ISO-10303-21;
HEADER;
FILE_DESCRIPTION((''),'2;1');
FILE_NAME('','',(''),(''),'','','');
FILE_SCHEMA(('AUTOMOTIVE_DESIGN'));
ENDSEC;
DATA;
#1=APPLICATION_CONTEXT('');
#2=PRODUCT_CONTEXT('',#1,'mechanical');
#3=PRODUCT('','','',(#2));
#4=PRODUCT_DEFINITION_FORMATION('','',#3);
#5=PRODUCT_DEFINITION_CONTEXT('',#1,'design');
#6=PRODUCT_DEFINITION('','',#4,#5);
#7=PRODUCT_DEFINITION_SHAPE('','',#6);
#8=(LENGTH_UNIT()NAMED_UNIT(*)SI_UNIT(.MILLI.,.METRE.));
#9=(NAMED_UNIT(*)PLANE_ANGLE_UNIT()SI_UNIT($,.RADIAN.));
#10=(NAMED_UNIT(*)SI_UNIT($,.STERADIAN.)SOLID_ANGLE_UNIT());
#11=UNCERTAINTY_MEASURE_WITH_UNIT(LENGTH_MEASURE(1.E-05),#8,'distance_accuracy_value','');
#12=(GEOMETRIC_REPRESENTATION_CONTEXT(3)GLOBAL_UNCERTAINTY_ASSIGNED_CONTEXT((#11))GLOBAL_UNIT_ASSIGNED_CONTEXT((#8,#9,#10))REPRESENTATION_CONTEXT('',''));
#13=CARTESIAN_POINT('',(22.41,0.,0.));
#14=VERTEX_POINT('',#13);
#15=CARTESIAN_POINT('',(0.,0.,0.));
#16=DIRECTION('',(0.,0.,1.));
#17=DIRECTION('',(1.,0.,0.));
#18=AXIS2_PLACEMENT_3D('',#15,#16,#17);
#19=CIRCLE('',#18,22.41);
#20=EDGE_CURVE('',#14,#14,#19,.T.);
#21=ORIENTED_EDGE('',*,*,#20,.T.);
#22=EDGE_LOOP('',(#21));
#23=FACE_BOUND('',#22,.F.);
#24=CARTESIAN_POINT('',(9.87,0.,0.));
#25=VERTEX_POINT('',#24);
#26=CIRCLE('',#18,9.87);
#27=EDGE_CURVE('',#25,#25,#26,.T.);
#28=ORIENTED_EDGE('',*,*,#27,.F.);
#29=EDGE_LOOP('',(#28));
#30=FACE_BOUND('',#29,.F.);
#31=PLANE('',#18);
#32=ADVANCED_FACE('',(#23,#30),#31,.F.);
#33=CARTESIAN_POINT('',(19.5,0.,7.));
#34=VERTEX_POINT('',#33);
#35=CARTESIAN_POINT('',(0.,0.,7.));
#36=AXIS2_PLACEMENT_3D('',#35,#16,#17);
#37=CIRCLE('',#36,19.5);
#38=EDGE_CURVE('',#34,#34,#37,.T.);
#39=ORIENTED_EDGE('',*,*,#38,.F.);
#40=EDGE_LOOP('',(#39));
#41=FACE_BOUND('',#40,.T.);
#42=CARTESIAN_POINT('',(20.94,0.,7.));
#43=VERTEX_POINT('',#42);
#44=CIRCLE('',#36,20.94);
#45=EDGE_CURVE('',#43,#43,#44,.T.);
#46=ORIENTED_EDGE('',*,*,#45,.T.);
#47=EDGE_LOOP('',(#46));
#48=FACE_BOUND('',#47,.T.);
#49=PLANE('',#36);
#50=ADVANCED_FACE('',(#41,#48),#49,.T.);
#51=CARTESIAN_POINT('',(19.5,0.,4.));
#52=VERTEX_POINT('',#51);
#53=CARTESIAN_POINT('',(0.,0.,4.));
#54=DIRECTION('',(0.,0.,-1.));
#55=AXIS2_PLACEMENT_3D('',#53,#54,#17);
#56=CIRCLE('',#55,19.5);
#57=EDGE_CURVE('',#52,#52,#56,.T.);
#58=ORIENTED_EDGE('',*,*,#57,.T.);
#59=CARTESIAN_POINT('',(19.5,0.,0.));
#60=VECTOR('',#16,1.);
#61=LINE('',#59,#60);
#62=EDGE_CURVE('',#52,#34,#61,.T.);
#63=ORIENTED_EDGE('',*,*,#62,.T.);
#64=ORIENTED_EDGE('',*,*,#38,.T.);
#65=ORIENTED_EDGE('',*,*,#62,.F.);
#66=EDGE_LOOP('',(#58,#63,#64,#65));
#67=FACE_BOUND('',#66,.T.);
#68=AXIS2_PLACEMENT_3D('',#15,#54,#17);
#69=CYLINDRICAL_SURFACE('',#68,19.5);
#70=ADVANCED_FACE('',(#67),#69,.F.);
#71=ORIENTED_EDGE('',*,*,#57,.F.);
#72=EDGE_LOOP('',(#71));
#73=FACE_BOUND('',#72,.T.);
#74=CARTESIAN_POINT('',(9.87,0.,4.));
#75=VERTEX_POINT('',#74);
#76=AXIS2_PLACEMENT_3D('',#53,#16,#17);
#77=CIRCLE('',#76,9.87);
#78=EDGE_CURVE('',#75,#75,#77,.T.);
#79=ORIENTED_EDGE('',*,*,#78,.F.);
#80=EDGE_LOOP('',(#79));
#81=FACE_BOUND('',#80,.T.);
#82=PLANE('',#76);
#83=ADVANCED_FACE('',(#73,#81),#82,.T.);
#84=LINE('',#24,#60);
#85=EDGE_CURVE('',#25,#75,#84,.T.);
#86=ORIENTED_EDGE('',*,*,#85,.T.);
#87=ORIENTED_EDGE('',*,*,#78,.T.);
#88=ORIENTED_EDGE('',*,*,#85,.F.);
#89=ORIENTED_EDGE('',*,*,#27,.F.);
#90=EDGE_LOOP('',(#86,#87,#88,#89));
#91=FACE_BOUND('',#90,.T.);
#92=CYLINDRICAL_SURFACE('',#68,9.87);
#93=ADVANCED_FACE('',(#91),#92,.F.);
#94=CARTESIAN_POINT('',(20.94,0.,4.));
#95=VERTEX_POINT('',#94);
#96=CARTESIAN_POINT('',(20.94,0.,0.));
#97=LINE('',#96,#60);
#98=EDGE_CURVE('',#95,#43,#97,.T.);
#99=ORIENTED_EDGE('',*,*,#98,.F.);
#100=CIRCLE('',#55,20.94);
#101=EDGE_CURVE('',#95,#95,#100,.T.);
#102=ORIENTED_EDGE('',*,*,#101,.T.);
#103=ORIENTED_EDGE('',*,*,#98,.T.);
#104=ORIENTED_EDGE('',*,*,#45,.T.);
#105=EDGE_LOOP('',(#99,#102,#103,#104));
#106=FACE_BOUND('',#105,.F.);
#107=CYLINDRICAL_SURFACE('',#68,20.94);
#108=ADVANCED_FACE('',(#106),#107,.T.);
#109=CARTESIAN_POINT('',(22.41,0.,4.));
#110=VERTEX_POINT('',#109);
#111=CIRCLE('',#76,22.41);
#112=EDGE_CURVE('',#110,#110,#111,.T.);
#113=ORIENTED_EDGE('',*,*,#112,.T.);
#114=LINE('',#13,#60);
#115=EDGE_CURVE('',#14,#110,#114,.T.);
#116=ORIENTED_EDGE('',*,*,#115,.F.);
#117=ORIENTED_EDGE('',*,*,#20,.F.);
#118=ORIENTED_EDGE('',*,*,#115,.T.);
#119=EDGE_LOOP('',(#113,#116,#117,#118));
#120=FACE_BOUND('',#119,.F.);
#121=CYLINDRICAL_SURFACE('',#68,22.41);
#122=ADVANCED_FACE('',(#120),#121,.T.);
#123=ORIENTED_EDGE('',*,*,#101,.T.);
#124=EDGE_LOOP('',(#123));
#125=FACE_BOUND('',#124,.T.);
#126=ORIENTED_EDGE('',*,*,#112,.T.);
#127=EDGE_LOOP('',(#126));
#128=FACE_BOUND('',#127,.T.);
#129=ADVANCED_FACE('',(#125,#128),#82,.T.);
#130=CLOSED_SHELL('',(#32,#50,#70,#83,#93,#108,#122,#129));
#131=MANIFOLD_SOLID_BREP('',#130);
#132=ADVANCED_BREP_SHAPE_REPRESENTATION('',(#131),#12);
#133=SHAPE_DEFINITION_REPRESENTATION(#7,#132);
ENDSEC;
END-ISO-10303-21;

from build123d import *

# Parameters (mm, degrees)
F0_R     = 22.41
F0_R_2   = 20.94
F0_R_3   = 19.5
F0_R_4   = 9.87
F1_DEPTH = 4
F2_DEPTH = 7


with BuildPart() as f1:
    # F0 (on Top) → F1 (new body)
    with BuildSketch(Plane.XY):
        Circle(F0_R)
        Circle(F0_R_2, mode=Mode.SUBTRACT)
        Circle(F0_R_2)
        Circle(F0_R_3, mode=Mode.SUBTRACT)
        Circle(F0_R_3)
        Circle(F0_R_4, mode=Mode.SUBTRACT)
    extrude(amount=F1_DEPTH)

    # F0 (on Top) → F2 (join)
    with BuildSketch(Plane.XY):
        Circle(F0_R_2)
        Circle(F0_R_3, mode=Mode.SUBTRACT)
    extrude(amount=F2_DEPTH)


solid = f1.part
